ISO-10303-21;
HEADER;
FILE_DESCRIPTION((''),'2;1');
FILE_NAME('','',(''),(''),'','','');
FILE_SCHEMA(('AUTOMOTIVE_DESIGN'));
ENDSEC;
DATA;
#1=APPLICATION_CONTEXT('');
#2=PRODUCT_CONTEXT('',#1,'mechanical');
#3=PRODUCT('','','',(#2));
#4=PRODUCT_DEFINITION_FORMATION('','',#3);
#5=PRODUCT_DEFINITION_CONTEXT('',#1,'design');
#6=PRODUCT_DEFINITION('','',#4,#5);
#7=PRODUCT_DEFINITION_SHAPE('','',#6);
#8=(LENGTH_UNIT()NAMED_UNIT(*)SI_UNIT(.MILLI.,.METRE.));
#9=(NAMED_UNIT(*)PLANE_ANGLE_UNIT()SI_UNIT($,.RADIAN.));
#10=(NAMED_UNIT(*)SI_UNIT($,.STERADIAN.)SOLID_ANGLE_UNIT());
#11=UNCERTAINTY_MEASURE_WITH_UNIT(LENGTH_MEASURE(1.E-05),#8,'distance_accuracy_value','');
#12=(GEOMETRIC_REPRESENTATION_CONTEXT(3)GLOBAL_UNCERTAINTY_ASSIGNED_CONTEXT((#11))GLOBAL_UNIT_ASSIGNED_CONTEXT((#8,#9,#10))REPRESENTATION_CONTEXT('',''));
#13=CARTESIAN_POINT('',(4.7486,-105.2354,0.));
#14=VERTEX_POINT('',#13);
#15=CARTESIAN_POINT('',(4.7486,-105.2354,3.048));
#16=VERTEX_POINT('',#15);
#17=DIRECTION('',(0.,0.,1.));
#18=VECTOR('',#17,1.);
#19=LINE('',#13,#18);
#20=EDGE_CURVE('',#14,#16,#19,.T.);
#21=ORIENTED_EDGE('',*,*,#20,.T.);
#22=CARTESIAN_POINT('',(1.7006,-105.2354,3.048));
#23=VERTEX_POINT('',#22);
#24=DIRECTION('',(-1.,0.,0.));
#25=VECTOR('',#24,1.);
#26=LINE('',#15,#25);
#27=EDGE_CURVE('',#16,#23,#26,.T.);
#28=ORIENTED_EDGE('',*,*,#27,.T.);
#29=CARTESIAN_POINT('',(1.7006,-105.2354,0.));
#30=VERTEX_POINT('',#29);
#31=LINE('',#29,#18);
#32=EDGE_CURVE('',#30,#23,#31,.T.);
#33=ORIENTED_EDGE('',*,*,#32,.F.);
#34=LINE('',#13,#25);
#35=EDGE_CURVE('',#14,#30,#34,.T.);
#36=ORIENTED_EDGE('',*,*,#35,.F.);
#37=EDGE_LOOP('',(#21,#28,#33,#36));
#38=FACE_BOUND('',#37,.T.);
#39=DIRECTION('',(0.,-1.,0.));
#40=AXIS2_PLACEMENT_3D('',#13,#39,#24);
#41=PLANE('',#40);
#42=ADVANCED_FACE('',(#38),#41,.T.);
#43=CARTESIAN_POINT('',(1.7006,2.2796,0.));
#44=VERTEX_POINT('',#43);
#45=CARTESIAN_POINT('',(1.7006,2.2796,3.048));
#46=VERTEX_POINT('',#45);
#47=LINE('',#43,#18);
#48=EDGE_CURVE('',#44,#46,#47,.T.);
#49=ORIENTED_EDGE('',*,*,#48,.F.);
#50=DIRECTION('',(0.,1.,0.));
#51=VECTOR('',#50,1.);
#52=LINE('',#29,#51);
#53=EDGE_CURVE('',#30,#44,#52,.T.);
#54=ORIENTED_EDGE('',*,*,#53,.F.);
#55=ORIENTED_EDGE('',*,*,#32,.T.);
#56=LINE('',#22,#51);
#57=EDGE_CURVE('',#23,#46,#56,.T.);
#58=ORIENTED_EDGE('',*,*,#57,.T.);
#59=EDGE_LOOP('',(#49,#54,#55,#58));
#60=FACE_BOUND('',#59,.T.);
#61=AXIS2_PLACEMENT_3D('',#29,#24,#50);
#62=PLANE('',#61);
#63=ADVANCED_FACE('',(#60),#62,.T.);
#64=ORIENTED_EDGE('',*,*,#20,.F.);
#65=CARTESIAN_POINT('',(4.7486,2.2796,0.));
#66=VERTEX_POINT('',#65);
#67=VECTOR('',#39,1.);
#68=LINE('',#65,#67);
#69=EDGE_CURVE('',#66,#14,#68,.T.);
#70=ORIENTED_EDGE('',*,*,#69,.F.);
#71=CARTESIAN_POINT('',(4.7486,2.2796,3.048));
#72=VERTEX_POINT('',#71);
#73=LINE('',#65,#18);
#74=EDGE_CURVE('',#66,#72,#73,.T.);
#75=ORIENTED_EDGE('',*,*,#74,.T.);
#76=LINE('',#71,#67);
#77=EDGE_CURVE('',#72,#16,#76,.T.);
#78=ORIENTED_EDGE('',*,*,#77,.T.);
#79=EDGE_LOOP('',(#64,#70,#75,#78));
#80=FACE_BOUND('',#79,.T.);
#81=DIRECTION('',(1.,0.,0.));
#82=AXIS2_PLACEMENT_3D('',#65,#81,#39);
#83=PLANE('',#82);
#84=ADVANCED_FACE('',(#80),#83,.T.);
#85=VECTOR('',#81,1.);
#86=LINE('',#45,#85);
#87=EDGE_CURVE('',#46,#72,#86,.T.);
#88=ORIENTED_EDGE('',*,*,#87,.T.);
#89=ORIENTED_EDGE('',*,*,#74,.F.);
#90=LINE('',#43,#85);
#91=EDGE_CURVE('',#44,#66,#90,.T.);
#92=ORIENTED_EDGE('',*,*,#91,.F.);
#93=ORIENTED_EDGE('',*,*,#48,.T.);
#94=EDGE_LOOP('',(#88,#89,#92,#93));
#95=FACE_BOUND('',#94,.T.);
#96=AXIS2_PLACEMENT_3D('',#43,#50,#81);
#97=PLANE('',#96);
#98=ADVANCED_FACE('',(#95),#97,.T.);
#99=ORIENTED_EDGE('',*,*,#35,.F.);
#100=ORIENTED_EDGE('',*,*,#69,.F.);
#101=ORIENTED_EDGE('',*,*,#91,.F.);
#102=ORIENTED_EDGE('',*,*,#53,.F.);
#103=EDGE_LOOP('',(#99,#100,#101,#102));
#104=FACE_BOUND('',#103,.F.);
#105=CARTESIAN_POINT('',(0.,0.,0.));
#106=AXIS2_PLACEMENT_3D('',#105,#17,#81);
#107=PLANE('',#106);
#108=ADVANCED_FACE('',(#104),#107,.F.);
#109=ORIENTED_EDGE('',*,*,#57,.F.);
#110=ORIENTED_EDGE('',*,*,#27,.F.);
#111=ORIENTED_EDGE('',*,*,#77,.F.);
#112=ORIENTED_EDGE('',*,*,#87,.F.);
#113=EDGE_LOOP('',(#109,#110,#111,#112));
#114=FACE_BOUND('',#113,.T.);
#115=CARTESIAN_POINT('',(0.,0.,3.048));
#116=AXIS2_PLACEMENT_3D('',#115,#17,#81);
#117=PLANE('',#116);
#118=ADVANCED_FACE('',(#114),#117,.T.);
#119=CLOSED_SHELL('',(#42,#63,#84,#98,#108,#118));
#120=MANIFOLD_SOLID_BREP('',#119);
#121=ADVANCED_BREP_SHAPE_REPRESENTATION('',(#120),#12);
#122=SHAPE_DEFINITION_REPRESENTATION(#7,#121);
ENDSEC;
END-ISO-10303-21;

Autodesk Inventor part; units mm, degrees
ref_plane "YZ Plane" through (0, 0, 0) normal (1, 0, 0) x (0, 1, 0)
ref_plane "XZ Plane" through (0, 0, 0) normal (0, 1, 0) x (-1, 0, 0)
ref_plane "XY Plane" through (0, 0, 0) normal (0, 0, 1) x (1, 0, 0)
sketch "Sketch1" plane through (0, 0, 0) normal (0, 0, 1) x (1, 0, 0)
  line L0 (1.7006, 2.2796) -> (4.7486, 2.2796)
  line L1 (4.7486, 2.2796) -> (4.7486, -105.2354)
  line L2 (4.7486, -105.2354) -> (1.7006, -105.2354)
  line L3 (1.7006, -105.2354) -> (1.7006, 2.2796)
  dimension "d2" = 3.048
  dimension "d3" = 107.515
extrude "Extrusion1" add sketch "Sketch1" along normal blind 3.048
equation "\"d2\" = Length"
equation "\"d3\" = Height"
equation "\"d0\" = Width"
equation "\"Length\" = 3.048"
equation "\"Width\" = 3.048"
equation "\"Height\" = 107.51504"
equation "\"L__\" = Length"
equation "\"W__\" = Width"
equation "\"H__\" = Height"
properties part number "003"
